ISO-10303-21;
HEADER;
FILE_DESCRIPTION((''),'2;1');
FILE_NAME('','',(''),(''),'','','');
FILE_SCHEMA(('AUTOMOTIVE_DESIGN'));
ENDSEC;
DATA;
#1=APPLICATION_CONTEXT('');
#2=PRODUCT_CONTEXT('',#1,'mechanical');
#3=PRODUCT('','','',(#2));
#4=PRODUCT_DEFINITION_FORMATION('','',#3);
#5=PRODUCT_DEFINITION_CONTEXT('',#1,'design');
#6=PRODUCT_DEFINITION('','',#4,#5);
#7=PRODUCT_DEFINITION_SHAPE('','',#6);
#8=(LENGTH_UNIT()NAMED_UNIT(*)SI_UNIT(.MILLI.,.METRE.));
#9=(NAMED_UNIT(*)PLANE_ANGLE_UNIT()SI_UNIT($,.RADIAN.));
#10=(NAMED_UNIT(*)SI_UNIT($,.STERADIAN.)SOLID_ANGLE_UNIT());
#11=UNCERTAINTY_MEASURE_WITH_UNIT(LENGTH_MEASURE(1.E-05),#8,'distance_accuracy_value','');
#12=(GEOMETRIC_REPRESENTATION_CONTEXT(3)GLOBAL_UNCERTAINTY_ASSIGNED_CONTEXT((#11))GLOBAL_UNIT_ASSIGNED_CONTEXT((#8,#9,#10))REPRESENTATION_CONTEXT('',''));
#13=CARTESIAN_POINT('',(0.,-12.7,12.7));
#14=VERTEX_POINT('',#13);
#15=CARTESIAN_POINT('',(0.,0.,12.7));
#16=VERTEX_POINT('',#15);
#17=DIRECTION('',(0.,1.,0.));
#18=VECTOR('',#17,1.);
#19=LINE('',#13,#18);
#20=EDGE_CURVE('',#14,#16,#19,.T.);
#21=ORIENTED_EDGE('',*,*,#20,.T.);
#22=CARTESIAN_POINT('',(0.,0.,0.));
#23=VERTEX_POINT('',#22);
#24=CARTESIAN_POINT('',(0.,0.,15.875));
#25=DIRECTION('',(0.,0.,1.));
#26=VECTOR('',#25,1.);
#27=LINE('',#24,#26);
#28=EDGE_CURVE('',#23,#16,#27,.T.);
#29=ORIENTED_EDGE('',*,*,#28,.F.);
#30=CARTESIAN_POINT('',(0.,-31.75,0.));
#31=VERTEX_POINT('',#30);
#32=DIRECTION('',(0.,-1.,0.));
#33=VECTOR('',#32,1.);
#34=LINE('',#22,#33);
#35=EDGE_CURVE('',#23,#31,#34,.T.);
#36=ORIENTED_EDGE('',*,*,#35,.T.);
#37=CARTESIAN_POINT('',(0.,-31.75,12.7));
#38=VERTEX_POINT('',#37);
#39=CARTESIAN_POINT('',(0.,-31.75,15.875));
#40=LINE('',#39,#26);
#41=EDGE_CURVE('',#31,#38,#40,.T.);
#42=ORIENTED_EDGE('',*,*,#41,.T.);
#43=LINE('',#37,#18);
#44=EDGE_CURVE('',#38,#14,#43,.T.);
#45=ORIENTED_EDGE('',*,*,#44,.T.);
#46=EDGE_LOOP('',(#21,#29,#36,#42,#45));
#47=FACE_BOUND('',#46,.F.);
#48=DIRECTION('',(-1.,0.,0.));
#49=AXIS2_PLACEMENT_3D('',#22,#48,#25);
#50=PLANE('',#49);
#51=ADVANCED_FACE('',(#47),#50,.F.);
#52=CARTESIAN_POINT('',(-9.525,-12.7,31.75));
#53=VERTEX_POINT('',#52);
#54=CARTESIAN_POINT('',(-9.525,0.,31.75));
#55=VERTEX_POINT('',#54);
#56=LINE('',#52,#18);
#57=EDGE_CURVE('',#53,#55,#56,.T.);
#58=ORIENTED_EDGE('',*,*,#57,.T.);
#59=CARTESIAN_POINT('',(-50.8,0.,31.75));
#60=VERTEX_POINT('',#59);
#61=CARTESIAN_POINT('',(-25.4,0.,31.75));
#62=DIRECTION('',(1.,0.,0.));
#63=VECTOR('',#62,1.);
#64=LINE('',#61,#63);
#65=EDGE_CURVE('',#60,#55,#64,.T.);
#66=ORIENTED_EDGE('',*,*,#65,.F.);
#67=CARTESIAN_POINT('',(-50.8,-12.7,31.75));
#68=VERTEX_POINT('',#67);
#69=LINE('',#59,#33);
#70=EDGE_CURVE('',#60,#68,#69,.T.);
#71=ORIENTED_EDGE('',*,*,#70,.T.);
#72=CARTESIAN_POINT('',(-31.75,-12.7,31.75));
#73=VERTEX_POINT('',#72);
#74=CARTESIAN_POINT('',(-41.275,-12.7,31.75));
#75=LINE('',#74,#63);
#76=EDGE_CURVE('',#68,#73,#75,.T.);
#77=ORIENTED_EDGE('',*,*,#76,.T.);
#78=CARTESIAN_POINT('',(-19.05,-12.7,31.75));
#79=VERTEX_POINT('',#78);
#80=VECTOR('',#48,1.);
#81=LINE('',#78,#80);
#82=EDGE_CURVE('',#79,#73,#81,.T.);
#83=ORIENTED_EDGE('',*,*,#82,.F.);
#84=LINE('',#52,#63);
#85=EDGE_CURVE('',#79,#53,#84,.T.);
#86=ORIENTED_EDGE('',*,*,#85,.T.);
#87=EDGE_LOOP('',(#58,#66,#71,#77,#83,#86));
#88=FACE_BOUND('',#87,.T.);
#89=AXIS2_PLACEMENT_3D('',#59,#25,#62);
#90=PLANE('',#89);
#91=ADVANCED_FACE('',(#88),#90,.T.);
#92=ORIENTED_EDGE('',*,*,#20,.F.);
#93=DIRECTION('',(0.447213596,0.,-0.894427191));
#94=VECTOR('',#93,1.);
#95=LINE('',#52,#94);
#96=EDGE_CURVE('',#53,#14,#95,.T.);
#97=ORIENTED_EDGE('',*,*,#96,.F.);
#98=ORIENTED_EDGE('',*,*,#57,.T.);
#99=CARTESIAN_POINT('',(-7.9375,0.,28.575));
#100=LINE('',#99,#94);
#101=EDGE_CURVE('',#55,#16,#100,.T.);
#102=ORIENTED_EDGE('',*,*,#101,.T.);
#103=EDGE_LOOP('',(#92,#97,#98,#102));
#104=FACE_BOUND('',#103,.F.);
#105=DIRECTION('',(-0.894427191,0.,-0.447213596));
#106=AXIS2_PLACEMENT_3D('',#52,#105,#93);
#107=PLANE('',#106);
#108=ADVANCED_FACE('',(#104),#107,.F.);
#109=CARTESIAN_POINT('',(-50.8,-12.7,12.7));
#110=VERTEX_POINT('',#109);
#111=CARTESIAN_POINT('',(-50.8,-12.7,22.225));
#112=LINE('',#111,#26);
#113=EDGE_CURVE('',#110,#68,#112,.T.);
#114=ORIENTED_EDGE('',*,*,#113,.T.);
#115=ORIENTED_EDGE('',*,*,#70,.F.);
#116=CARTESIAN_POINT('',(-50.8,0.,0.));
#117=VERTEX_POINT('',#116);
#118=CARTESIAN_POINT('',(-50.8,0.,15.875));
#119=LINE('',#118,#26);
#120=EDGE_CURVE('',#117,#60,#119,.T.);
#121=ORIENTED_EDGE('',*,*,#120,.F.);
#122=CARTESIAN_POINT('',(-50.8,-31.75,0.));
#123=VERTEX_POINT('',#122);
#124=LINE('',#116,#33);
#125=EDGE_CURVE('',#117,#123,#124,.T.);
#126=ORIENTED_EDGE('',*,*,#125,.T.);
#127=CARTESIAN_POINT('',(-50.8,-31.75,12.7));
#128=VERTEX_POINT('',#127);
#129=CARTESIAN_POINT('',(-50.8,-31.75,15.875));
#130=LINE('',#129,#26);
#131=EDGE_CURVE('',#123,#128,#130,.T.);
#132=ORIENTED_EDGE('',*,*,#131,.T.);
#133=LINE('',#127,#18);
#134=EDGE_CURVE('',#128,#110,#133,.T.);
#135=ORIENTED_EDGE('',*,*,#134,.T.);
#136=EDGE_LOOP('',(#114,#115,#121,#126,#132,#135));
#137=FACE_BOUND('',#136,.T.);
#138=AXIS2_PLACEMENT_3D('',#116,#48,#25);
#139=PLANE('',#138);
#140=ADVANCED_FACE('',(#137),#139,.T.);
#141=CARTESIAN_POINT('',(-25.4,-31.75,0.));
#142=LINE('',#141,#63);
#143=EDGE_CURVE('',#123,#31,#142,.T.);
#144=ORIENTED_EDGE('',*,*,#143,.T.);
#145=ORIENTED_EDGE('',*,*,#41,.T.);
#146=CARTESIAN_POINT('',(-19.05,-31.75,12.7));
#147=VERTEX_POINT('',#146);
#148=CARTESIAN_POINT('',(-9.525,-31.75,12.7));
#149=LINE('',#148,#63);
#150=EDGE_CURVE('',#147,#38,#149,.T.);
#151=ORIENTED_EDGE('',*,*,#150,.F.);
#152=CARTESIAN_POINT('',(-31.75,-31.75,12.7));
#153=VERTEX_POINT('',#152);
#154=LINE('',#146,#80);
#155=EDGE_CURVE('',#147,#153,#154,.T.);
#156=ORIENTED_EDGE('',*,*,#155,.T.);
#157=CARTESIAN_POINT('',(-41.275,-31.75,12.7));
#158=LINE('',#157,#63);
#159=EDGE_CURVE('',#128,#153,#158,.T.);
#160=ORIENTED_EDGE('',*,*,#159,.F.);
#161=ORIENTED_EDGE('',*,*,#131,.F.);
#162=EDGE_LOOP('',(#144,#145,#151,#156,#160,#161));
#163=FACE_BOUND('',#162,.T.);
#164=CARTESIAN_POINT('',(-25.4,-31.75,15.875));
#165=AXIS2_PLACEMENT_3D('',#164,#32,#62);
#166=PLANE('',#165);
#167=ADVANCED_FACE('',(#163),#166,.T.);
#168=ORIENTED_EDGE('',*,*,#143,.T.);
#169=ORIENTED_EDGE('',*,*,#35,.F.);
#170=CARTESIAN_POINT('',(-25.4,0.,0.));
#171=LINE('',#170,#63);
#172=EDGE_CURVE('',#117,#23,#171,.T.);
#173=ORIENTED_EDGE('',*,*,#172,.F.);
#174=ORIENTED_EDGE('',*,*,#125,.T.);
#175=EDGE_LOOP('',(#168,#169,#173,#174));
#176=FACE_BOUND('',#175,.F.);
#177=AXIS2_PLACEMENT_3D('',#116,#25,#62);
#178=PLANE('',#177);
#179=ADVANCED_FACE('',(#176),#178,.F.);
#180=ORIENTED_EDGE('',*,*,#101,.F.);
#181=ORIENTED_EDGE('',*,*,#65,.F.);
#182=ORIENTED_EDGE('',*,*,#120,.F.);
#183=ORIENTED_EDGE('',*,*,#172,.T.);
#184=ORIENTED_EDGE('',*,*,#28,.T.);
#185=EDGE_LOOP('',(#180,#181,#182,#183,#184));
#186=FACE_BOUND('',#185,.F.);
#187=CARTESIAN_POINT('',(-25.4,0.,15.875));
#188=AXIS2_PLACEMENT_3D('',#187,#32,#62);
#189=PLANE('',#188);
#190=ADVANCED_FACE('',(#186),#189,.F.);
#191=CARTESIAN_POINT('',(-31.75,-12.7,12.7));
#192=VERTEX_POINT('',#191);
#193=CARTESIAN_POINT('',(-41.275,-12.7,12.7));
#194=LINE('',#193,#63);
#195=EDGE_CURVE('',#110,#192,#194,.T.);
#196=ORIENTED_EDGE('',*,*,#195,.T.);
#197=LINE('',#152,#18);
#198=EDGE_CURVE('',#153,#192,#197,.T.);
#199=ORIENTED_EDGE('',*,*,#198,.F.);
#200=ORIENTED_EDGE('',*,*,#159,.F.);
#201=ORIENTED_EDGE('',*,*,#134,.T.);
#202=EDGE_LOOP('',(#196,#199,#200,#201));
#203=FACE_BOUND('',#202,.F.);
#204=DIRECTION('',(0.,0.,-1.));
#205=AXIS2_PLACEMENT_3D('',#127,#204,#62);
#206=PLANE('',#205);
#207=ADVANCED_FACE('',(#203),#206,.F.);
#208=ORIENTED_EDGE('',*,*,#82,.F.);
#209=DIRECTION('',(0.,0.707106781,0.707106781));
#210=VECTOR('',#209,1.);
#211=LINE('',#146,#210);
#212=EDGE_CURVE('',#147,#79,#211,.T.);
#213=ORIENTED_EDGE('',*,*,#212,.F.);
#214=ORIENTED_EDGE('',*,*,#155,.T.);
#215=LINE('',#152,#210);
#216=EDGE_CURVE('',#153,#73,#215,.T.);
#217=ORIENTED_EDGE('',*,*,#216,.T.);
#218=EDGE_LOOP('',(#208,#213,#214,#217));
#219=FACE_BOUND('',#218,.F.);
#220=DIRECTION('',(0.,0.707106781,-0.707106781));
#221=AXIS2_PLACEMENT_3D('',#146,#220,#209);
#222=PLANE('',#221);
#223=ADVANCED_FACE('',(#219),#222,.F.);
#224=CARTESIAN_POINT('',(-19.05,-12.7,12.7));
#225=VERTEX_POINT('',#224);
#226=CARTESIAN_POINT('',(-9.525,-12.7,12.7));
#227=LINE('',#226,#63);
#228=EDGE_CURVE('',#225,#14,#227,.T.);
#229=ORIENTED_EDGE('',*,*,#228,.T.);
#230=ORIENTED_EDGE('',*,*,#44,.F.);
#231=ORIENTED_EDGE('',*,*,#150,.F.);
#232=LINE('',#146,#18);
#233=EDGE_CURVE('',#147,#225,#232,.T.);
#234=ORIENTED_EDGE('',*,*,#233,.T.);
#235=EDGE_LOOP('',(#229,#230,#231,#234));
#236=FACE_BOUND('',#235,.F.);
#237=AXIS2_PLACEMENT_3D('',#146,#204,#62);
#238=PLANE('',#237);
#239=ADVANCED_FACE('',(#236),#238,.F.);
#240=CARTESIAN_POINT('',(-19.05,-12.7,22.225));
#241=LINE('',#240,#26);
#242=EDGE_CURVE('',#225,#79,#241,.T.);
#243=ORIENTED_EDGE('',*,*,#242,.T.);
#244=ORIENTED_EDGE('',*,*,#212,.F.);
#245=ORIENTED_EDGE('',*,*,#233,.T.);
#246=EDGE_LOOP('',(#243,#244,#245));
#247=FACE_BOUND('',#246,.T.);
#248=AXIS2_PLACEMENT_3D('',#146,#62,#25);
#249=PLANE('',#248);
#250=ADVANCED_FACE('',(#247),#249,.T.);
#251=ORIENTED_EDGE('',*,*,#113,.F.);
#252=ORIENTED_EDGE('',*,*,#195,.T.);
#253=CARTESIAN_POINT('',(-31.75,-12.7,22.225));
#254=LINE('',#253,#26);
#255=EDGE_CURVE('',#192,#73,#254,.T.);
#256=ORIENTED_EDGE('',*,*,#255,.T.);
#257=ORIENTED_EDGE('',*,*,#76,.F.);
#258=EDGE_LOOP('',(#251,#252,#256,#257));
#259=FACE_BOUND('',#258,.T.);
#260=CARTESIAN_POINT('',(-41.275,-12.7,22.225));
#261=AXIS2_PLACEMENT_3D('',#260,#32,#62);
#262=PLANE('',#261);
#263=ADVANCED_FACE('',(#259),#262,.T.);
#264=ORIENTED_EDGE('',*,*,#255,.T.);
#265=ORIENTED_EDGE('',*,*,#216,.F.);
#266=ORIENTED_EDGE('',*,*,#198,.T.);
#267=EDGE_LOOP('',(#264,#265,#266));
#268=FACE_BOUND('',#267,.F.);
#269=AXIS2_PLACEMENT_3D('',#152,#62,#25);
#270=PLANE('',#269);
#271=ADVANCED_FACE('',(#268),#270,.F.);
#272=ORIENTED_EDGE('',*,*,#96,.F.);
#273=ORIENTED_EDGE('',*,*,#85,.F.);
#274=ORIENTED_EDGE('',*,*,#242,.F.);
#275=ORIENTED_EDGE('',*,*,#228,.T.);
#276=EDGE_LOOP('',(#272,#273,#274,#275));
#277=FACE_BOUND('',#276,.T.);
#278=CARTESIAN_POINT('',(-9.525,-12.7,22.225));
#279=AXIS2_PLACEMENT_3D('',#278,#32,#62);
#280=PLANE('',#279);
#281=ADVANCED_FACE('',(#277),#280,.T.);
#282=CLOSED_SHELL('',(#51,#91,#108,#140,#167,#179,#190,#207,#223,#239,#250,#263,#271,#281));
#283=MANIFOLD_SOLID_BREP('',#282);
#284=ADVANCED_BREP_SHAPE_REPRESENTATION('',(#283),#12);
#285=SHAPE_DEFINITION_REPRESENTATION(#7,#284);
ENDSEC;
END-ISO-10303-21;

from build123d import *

# Parameters (mm, degrees)
F0_W     = 50.8
F0_H     = 31.75
F1_DEPTH = 31.75
F2_W     = 19.05
F2_H     = 19.05
F3_DEPTH = 19.05
F4_W     = 19.05
F4_H     = 19.05
F5_DEPTH = 19.05
F7_DEPTH = 12.701
F9_DEPTH = 31.751


with BuildPart() as f1:
    # F0 (on Front) → F1 (new body)
    with BuildSketch(Plane.XZ):
        with Locations((-25.4, 15.875)):
            Rectangle(F0_W, F0_H)
    extrude(amount=F1_DEPTH)

    # F2 (on face) → F3 (cut)
    with BuildSketch(Plane.XZ.offset(31.75)):
        with Locations((-41.275, 22.225)):
            Rectangle(F2_W, F2_H)
    extrude(amount=-F3_DEPTH, mode=Mode.SUBTRACT)

    # F4 (on face) → F5 (cut)
    with BuildSketch(Plane.XZ.offset(31.75)):
        with Locations((-9.525, 22.225)):
            Rectangle(F4_W, F4_H)
    extrude(amount=-F5_DEPTH, mode=Mode.SUBTRACT)

    # F6 (on face) → F7 (cut, through all)
    with BuildSketch(Plane.XZ.offset(12.7)):
        Polygon((-9.525, 31.75), (0, 12.7), (0, 31.75), align=None)
    extrude(amount=-F7_DEPTH, mode=Mode.SUBTRACT)

    # F8 (on face) → F9 (cut, through all)
    with BuildSketch(Plane.YZ.offset(-19.05)):
        Polygon((-31.75, 12.7), (-12.7, 31.75), (-31.75, 31.75), align=None)
    extrude(amount=-F9_DEPTH, mode=Mode.SUBTRACT)


solid = f1.part
